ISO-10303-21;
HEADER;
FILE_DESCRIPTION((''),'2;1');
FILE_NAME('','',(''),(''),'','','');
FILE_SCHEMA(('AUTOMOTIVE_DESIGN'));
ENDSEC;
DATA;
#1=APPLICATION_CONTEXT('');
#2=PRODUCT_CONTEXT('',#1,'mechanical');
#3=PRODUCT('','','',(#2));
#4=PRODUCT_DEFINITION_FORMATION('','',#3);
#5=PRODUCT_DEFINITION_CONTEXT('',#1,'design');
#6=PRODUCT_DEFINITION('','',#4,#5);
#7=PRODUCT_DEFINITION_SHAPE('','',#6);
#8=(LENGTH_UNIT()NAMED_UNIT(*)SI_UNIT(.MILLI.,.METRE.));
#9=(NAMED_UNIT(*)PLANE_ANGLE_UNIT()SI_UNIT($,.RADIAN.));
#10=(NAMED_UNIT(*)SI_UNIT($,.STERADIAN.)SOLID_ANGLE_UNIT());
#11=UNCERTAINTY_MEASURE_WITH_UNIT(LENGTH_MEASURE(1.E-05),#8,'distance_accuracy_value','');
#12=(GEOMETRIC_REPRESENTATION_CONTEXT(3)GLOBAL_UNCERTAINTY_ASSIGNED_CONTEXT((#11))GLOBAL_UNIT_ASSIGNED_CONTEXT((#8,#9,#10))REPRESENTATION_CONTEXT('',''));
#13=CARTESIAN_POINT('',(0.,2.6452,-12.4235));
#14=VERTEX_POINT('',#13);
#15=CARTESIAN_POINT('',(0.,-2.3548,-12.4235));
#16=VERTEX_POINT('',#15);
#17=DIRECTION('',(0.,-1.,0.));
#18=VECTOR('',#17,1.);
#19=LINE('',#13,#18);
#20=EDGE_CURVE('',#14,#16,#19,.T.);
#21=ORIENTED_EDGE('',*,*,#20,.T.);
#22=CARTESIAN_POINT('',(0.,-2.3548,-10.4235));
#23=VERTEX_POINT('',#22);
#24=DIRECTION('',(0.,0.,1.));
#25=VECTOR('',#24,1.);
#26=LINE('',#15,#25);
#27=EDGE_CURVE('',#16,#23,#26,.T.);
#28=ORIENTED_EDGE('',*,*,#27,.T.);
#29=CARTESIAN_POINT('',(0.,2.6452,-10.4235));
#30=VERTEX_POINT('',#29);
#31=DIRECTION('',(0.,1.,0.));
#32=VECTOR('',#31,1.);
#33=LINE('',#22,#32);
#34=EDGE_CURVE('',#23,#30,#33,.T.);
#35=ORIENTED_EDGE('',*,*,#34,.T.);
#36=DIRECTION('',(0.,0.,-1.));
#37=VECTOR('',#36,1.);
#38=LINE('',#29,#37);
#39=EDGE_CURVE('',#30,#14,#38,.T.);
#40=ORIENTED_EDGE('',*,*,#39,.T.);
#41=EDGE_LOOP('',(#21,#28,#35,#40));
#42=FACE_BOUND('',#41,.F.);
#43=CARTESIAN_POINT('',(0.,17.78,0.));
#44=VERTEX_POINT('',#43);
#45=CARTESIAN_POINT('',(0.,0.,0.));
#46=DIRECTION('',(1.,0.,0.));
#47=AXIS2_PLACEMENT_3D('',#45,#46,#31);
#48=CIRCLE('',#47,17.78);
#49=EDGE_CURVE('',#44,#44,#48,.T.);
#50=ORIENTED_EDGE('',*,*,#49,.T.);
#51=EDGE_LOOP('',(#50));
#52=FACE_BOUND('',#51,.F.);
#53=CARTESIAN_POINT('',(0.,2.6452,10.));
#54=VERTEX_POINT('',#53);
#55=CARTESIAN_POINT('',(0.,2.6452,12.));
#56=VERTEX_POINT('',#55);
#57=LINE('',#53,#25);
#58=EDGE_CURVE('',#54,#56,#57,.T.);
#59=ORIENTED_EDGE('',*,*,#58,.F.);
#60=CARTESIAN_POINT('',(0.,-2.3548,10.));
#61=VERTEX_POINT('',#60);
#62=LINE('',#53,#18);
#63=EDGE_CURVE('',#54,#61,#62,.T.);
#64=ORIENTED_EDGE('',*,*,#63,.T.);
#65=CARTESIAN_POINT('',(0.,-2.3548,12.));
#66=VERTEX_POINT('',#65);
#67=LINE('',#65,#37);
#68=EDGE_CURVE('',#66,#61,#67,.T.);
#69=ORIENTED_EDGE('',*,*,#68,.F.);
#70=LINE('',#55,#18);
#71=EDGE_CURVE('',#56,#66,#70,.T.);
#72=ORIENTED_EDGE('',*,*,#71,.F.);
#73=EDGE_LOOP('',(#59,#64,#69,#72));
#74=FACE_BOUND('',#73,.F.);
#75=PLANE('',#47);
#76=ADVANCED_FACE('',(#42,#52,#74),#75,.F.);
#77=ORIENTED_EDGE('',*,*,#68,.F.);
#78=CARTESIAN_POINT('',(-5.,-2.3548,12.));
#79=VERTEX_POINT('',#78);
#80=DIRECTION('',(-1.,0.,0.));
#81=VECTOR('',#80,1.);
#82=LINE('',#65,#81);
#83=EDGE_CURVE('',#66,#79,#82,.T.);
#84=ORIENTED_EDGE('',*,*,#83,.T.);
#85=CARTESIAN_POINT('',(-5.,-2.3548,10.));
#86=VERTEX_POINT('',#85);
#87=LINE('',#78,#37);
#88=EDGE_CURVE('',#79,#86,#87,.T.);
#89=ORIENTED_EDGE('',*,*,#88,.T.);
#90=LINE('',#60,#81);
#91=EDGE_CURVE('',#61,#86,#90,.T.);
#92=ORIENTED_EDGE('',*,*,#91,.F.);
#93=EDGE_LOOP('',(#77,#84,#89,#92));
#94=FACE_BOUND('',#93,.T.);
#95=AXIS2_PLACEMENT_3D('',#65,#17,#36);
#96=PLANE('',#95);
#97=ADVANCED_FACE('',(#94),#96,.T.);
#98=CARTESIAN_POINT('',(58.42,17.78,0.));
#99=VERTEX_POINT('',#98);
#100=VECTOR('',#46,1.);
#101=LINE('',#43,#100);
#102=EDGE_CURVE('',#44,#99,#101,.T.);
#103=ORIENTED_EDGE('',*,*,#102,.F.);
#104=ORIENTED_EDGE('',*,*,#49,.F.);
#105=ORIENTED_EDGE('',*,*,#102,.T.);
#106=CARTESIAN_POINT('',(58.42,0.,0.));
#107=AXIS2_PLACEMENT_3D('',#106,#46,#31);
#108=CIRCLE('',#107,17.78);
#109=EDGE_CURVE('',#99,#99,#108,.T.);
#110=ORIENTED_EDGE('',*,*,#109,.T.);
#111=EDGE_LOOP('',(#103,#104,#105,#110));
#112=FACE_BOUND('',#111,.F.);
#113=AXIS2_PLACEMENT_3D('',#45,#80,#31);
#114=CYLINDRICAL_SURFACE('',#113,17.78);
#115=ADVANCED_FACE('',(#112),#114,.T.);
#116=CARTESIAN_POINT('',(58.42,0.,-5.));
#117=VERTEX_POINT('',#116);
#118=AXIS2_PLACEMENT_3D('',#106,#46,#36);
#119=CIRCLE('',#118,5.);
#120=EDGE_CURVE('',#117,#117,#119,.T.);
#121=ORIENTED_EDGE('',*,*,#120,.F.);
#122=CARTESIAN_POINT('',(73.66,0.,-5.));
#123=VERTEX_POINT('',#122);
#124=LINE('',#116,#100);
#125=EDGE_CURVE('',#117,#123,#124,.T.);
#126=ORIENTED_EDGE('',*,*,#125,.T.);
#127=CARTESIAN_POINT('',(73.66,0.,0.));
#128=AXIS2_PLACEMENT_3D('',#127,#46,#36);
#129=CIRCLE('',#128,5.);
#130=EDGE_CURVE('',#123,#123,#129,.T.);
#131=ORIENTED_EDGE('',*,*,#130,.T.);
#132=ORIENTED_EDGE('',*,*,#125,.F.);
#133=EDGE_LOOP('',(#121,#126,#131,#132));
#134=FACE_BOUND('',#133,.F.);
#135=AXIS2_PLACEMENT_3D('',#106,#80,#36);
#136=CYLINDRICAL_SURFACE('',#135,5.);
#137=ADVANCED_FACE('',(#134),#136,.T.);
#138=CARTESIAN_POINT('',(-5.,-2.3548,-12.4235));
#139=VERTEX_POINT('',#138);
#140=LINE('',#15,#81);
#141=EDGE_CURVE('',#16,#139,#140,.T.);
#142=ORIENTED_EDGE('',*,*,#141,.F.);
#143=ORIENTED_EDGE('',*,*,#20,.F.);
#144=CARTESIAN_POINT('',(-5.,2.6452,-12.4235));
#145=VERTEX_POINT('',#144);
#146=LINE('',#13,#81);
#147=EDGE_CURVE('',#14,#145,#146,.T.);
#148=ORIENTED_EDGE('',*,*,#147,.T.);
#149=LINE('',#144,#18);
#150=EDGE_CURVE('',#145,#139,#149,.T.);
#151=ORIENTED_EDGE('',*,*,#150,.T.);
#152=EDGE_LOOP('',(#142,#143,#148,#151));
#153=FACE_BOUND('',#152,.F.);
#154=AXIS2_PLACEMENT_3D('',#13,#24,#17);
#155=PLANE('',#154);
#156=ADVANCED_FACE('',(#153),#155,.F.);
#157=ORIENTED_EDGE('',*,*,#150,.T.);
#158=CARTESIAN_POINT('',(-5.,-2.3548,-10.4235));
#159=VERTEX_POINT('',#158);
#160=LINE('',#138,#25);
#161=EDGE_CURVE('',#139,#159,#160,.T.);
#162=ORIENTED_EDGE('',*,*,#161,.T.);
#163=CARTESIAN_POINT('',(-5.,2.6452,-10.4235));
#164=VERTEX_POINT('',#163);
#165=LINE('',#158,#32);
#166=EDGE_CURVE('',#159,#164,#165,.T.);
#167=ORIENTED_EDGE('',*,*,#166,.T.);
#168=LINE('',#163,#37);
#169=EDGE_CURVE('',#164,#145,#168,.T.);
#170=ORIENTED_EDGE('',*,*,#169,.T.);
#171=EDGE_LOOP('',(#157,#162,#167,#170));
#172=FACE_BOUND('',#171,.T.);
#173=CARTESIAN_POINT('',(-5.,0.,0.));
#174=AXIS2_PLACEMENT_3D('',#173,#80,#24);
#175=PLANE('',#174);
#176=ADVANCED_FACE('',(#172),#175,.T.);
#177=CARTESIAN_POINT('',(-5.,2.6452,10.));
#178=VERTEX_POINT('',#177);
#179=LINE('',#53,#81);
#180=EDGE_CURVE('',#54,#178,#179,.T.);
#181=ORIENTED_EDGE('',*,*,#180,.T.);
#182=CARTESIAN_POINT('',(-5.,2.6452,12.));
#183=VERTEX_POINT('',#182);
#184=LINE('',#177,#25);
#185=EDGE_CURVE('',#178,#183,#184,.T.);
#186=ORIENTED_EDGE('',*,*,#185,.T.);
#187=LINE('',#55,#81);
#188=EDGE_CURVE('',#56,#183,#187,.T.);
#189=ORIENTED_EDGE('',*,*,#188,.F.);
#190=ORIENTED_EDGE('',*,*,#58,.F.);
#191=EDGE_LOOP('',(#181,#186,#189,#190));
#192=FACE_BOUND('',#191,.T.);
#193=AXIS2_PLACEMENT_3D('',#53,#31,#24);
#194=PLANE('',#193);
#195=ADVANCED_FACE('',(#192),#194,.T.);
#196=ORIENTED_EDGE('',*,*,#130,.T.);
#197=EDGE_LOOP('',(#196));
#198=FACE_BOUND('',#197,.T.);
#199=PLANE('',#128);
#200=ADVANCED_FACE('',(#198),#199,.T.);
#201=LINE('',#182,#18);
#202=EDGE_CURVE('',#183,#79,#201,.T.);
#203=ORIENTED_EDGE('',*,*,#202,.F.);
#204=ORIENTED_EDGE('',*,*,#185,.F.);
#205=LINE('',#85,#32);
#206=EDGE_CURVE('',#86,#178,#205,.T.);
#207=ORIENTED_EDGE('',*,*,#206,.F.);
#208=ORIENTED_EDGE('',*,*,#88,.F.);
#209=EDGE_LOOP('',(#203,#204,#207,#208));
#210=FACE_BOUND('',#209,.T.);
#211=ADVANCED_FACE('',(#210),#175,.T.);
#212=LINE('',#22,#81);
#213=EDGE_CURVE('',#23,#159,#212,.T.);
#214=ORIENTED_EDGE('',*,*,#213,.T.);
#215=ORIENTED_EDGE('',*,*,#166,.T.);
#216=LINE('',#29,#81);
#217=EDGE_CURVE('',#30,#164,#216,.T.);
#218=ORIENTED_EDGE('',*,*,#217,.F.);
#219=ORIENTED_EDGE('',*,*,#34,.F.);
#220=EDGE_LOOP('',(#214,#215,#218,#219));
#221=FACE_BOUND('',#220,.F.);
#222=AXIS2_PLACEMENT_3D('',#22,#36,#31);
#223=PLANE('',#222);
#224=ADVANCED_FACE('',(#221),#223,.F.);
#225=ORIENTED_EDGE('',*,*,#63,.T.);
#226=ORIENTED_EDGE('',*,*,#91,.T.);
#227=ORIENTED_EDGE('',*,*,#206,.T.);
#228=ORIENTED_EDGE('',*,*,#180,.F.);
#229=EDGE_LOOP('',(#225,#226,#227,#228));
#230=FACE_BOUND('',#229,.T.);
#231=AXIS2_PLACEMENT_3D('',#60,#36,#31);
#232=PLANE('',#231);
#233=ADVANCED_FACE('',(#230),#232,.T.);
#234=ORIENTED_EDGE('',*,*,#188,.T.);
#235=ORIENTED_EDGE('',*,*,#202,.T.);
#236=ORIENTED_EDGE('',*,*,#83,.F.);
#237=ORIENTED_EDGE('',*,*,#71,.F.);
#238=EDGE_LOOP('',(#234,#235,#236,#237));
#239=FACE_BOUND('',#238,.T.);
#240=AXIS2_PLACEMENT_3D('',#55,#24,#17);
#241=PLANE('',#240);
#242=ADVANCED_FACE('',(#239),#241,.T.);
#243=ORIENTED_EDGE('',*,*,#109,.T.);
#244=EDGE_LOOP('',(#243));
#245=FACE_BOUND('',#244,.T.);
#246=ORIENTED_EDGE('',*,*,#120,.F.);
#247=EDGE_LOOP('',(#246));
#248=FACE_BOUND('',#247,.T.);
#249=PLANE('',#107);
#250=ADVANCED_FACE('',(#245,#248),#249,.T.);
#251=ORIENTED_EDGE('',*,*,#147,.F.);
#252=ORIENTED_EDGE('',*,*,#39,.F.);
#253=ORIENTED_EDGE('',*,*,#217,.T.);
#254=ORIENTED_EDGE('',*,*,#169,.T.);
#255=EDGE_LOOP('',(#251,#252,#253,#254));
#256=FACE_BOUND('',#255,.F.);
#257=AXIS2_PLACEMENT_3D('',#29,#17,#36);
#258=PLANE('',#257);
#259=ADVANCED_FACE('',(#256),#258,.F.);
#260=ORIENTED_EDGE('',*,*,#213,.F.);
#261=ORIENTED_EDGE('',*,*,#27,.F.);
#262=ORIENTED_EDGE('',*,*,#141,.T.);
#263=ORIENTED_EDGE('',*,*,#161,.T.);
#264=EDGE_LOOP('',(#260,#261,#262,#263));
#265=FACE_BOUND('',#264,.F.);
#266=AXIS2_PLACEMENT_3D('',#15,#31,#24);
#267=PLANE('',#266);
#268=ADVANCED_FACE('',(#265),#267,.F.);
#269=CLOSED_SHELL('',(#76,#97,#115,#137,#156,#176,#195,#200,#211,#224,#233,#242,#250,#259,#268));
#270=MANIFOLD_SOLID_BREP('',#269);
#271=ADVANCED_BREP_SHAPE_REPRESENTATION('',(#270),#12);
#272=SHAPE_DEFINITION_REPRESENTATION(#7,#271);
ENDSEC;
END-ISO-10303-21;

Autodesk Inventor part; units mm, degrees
ref_plane "YZ Plane" through (0, 0, 0) normal (1, 0, 0) x (0, 1, 0)
ref_plane "XZ Plane" through (0, 0, 0) normal (0, 1, 0) x (-1, 0, 0)
ref_plane "XY Plane" through (0, 0, 0) normal (0, 0, 1) x (1, 0, 0)
sketch "Sketch1" plane through (0, 0, 0) normal (1, 0, 0) x (0, 1, 0)
  circle A0 centre (0, 0) radius 17.78
  dimension "d0" = 35.56
extrude "Extrusion1" add sketch "Sketch1" along normal blind 58.42
sketch "Sketch2" plane through (58.42, 0, 0) normal (1, 0, 0) x (0, 0, -1)
  circle A0 centre (0, 0) radius 5
  dimension "d3" = 10
extrude "Extrusion2" add sketch "Sketch2" along normal blind 15.24
sketch "Sketch3" plane through (0, 0, 0) normal (-1, 0, 0) x (0, 0, 1)
  line L0 (0, 0) -> (-10, 0)
  line L1 (0, 0) -> (10, 0)
  line L2 (10, 2.6452) -> (12, 2.6452)
  line L3 (12, 2.6452) -> (12, -2.3548)
  line L4 (12, -2.3548) -> (10, -2.3548)
  line L5 (10, -2.3548) -> (10, 2.6452)
  line L6 (-10.4235, 2.6452) -> (-12.4235, 2.6452)
  line L7 (-12.4235, 2.6452) -> (-12.4235, -2.3548)
  line L8 (-12.4235, -2.3548) -> (-10.4235, -2.3548)
  line L9 (-10.4235, -2.3548) -> (-10.4235, 2.6452)
  dimension "d6" = 10
  dimension "d7" = 10
  dimension "d8" = 2
  dimension "d9" = 2
  dimension "d10" = 5
extrude "Extrusion3" add sketch "Sketch3" along normal blind 5
properties part number "Motor"
